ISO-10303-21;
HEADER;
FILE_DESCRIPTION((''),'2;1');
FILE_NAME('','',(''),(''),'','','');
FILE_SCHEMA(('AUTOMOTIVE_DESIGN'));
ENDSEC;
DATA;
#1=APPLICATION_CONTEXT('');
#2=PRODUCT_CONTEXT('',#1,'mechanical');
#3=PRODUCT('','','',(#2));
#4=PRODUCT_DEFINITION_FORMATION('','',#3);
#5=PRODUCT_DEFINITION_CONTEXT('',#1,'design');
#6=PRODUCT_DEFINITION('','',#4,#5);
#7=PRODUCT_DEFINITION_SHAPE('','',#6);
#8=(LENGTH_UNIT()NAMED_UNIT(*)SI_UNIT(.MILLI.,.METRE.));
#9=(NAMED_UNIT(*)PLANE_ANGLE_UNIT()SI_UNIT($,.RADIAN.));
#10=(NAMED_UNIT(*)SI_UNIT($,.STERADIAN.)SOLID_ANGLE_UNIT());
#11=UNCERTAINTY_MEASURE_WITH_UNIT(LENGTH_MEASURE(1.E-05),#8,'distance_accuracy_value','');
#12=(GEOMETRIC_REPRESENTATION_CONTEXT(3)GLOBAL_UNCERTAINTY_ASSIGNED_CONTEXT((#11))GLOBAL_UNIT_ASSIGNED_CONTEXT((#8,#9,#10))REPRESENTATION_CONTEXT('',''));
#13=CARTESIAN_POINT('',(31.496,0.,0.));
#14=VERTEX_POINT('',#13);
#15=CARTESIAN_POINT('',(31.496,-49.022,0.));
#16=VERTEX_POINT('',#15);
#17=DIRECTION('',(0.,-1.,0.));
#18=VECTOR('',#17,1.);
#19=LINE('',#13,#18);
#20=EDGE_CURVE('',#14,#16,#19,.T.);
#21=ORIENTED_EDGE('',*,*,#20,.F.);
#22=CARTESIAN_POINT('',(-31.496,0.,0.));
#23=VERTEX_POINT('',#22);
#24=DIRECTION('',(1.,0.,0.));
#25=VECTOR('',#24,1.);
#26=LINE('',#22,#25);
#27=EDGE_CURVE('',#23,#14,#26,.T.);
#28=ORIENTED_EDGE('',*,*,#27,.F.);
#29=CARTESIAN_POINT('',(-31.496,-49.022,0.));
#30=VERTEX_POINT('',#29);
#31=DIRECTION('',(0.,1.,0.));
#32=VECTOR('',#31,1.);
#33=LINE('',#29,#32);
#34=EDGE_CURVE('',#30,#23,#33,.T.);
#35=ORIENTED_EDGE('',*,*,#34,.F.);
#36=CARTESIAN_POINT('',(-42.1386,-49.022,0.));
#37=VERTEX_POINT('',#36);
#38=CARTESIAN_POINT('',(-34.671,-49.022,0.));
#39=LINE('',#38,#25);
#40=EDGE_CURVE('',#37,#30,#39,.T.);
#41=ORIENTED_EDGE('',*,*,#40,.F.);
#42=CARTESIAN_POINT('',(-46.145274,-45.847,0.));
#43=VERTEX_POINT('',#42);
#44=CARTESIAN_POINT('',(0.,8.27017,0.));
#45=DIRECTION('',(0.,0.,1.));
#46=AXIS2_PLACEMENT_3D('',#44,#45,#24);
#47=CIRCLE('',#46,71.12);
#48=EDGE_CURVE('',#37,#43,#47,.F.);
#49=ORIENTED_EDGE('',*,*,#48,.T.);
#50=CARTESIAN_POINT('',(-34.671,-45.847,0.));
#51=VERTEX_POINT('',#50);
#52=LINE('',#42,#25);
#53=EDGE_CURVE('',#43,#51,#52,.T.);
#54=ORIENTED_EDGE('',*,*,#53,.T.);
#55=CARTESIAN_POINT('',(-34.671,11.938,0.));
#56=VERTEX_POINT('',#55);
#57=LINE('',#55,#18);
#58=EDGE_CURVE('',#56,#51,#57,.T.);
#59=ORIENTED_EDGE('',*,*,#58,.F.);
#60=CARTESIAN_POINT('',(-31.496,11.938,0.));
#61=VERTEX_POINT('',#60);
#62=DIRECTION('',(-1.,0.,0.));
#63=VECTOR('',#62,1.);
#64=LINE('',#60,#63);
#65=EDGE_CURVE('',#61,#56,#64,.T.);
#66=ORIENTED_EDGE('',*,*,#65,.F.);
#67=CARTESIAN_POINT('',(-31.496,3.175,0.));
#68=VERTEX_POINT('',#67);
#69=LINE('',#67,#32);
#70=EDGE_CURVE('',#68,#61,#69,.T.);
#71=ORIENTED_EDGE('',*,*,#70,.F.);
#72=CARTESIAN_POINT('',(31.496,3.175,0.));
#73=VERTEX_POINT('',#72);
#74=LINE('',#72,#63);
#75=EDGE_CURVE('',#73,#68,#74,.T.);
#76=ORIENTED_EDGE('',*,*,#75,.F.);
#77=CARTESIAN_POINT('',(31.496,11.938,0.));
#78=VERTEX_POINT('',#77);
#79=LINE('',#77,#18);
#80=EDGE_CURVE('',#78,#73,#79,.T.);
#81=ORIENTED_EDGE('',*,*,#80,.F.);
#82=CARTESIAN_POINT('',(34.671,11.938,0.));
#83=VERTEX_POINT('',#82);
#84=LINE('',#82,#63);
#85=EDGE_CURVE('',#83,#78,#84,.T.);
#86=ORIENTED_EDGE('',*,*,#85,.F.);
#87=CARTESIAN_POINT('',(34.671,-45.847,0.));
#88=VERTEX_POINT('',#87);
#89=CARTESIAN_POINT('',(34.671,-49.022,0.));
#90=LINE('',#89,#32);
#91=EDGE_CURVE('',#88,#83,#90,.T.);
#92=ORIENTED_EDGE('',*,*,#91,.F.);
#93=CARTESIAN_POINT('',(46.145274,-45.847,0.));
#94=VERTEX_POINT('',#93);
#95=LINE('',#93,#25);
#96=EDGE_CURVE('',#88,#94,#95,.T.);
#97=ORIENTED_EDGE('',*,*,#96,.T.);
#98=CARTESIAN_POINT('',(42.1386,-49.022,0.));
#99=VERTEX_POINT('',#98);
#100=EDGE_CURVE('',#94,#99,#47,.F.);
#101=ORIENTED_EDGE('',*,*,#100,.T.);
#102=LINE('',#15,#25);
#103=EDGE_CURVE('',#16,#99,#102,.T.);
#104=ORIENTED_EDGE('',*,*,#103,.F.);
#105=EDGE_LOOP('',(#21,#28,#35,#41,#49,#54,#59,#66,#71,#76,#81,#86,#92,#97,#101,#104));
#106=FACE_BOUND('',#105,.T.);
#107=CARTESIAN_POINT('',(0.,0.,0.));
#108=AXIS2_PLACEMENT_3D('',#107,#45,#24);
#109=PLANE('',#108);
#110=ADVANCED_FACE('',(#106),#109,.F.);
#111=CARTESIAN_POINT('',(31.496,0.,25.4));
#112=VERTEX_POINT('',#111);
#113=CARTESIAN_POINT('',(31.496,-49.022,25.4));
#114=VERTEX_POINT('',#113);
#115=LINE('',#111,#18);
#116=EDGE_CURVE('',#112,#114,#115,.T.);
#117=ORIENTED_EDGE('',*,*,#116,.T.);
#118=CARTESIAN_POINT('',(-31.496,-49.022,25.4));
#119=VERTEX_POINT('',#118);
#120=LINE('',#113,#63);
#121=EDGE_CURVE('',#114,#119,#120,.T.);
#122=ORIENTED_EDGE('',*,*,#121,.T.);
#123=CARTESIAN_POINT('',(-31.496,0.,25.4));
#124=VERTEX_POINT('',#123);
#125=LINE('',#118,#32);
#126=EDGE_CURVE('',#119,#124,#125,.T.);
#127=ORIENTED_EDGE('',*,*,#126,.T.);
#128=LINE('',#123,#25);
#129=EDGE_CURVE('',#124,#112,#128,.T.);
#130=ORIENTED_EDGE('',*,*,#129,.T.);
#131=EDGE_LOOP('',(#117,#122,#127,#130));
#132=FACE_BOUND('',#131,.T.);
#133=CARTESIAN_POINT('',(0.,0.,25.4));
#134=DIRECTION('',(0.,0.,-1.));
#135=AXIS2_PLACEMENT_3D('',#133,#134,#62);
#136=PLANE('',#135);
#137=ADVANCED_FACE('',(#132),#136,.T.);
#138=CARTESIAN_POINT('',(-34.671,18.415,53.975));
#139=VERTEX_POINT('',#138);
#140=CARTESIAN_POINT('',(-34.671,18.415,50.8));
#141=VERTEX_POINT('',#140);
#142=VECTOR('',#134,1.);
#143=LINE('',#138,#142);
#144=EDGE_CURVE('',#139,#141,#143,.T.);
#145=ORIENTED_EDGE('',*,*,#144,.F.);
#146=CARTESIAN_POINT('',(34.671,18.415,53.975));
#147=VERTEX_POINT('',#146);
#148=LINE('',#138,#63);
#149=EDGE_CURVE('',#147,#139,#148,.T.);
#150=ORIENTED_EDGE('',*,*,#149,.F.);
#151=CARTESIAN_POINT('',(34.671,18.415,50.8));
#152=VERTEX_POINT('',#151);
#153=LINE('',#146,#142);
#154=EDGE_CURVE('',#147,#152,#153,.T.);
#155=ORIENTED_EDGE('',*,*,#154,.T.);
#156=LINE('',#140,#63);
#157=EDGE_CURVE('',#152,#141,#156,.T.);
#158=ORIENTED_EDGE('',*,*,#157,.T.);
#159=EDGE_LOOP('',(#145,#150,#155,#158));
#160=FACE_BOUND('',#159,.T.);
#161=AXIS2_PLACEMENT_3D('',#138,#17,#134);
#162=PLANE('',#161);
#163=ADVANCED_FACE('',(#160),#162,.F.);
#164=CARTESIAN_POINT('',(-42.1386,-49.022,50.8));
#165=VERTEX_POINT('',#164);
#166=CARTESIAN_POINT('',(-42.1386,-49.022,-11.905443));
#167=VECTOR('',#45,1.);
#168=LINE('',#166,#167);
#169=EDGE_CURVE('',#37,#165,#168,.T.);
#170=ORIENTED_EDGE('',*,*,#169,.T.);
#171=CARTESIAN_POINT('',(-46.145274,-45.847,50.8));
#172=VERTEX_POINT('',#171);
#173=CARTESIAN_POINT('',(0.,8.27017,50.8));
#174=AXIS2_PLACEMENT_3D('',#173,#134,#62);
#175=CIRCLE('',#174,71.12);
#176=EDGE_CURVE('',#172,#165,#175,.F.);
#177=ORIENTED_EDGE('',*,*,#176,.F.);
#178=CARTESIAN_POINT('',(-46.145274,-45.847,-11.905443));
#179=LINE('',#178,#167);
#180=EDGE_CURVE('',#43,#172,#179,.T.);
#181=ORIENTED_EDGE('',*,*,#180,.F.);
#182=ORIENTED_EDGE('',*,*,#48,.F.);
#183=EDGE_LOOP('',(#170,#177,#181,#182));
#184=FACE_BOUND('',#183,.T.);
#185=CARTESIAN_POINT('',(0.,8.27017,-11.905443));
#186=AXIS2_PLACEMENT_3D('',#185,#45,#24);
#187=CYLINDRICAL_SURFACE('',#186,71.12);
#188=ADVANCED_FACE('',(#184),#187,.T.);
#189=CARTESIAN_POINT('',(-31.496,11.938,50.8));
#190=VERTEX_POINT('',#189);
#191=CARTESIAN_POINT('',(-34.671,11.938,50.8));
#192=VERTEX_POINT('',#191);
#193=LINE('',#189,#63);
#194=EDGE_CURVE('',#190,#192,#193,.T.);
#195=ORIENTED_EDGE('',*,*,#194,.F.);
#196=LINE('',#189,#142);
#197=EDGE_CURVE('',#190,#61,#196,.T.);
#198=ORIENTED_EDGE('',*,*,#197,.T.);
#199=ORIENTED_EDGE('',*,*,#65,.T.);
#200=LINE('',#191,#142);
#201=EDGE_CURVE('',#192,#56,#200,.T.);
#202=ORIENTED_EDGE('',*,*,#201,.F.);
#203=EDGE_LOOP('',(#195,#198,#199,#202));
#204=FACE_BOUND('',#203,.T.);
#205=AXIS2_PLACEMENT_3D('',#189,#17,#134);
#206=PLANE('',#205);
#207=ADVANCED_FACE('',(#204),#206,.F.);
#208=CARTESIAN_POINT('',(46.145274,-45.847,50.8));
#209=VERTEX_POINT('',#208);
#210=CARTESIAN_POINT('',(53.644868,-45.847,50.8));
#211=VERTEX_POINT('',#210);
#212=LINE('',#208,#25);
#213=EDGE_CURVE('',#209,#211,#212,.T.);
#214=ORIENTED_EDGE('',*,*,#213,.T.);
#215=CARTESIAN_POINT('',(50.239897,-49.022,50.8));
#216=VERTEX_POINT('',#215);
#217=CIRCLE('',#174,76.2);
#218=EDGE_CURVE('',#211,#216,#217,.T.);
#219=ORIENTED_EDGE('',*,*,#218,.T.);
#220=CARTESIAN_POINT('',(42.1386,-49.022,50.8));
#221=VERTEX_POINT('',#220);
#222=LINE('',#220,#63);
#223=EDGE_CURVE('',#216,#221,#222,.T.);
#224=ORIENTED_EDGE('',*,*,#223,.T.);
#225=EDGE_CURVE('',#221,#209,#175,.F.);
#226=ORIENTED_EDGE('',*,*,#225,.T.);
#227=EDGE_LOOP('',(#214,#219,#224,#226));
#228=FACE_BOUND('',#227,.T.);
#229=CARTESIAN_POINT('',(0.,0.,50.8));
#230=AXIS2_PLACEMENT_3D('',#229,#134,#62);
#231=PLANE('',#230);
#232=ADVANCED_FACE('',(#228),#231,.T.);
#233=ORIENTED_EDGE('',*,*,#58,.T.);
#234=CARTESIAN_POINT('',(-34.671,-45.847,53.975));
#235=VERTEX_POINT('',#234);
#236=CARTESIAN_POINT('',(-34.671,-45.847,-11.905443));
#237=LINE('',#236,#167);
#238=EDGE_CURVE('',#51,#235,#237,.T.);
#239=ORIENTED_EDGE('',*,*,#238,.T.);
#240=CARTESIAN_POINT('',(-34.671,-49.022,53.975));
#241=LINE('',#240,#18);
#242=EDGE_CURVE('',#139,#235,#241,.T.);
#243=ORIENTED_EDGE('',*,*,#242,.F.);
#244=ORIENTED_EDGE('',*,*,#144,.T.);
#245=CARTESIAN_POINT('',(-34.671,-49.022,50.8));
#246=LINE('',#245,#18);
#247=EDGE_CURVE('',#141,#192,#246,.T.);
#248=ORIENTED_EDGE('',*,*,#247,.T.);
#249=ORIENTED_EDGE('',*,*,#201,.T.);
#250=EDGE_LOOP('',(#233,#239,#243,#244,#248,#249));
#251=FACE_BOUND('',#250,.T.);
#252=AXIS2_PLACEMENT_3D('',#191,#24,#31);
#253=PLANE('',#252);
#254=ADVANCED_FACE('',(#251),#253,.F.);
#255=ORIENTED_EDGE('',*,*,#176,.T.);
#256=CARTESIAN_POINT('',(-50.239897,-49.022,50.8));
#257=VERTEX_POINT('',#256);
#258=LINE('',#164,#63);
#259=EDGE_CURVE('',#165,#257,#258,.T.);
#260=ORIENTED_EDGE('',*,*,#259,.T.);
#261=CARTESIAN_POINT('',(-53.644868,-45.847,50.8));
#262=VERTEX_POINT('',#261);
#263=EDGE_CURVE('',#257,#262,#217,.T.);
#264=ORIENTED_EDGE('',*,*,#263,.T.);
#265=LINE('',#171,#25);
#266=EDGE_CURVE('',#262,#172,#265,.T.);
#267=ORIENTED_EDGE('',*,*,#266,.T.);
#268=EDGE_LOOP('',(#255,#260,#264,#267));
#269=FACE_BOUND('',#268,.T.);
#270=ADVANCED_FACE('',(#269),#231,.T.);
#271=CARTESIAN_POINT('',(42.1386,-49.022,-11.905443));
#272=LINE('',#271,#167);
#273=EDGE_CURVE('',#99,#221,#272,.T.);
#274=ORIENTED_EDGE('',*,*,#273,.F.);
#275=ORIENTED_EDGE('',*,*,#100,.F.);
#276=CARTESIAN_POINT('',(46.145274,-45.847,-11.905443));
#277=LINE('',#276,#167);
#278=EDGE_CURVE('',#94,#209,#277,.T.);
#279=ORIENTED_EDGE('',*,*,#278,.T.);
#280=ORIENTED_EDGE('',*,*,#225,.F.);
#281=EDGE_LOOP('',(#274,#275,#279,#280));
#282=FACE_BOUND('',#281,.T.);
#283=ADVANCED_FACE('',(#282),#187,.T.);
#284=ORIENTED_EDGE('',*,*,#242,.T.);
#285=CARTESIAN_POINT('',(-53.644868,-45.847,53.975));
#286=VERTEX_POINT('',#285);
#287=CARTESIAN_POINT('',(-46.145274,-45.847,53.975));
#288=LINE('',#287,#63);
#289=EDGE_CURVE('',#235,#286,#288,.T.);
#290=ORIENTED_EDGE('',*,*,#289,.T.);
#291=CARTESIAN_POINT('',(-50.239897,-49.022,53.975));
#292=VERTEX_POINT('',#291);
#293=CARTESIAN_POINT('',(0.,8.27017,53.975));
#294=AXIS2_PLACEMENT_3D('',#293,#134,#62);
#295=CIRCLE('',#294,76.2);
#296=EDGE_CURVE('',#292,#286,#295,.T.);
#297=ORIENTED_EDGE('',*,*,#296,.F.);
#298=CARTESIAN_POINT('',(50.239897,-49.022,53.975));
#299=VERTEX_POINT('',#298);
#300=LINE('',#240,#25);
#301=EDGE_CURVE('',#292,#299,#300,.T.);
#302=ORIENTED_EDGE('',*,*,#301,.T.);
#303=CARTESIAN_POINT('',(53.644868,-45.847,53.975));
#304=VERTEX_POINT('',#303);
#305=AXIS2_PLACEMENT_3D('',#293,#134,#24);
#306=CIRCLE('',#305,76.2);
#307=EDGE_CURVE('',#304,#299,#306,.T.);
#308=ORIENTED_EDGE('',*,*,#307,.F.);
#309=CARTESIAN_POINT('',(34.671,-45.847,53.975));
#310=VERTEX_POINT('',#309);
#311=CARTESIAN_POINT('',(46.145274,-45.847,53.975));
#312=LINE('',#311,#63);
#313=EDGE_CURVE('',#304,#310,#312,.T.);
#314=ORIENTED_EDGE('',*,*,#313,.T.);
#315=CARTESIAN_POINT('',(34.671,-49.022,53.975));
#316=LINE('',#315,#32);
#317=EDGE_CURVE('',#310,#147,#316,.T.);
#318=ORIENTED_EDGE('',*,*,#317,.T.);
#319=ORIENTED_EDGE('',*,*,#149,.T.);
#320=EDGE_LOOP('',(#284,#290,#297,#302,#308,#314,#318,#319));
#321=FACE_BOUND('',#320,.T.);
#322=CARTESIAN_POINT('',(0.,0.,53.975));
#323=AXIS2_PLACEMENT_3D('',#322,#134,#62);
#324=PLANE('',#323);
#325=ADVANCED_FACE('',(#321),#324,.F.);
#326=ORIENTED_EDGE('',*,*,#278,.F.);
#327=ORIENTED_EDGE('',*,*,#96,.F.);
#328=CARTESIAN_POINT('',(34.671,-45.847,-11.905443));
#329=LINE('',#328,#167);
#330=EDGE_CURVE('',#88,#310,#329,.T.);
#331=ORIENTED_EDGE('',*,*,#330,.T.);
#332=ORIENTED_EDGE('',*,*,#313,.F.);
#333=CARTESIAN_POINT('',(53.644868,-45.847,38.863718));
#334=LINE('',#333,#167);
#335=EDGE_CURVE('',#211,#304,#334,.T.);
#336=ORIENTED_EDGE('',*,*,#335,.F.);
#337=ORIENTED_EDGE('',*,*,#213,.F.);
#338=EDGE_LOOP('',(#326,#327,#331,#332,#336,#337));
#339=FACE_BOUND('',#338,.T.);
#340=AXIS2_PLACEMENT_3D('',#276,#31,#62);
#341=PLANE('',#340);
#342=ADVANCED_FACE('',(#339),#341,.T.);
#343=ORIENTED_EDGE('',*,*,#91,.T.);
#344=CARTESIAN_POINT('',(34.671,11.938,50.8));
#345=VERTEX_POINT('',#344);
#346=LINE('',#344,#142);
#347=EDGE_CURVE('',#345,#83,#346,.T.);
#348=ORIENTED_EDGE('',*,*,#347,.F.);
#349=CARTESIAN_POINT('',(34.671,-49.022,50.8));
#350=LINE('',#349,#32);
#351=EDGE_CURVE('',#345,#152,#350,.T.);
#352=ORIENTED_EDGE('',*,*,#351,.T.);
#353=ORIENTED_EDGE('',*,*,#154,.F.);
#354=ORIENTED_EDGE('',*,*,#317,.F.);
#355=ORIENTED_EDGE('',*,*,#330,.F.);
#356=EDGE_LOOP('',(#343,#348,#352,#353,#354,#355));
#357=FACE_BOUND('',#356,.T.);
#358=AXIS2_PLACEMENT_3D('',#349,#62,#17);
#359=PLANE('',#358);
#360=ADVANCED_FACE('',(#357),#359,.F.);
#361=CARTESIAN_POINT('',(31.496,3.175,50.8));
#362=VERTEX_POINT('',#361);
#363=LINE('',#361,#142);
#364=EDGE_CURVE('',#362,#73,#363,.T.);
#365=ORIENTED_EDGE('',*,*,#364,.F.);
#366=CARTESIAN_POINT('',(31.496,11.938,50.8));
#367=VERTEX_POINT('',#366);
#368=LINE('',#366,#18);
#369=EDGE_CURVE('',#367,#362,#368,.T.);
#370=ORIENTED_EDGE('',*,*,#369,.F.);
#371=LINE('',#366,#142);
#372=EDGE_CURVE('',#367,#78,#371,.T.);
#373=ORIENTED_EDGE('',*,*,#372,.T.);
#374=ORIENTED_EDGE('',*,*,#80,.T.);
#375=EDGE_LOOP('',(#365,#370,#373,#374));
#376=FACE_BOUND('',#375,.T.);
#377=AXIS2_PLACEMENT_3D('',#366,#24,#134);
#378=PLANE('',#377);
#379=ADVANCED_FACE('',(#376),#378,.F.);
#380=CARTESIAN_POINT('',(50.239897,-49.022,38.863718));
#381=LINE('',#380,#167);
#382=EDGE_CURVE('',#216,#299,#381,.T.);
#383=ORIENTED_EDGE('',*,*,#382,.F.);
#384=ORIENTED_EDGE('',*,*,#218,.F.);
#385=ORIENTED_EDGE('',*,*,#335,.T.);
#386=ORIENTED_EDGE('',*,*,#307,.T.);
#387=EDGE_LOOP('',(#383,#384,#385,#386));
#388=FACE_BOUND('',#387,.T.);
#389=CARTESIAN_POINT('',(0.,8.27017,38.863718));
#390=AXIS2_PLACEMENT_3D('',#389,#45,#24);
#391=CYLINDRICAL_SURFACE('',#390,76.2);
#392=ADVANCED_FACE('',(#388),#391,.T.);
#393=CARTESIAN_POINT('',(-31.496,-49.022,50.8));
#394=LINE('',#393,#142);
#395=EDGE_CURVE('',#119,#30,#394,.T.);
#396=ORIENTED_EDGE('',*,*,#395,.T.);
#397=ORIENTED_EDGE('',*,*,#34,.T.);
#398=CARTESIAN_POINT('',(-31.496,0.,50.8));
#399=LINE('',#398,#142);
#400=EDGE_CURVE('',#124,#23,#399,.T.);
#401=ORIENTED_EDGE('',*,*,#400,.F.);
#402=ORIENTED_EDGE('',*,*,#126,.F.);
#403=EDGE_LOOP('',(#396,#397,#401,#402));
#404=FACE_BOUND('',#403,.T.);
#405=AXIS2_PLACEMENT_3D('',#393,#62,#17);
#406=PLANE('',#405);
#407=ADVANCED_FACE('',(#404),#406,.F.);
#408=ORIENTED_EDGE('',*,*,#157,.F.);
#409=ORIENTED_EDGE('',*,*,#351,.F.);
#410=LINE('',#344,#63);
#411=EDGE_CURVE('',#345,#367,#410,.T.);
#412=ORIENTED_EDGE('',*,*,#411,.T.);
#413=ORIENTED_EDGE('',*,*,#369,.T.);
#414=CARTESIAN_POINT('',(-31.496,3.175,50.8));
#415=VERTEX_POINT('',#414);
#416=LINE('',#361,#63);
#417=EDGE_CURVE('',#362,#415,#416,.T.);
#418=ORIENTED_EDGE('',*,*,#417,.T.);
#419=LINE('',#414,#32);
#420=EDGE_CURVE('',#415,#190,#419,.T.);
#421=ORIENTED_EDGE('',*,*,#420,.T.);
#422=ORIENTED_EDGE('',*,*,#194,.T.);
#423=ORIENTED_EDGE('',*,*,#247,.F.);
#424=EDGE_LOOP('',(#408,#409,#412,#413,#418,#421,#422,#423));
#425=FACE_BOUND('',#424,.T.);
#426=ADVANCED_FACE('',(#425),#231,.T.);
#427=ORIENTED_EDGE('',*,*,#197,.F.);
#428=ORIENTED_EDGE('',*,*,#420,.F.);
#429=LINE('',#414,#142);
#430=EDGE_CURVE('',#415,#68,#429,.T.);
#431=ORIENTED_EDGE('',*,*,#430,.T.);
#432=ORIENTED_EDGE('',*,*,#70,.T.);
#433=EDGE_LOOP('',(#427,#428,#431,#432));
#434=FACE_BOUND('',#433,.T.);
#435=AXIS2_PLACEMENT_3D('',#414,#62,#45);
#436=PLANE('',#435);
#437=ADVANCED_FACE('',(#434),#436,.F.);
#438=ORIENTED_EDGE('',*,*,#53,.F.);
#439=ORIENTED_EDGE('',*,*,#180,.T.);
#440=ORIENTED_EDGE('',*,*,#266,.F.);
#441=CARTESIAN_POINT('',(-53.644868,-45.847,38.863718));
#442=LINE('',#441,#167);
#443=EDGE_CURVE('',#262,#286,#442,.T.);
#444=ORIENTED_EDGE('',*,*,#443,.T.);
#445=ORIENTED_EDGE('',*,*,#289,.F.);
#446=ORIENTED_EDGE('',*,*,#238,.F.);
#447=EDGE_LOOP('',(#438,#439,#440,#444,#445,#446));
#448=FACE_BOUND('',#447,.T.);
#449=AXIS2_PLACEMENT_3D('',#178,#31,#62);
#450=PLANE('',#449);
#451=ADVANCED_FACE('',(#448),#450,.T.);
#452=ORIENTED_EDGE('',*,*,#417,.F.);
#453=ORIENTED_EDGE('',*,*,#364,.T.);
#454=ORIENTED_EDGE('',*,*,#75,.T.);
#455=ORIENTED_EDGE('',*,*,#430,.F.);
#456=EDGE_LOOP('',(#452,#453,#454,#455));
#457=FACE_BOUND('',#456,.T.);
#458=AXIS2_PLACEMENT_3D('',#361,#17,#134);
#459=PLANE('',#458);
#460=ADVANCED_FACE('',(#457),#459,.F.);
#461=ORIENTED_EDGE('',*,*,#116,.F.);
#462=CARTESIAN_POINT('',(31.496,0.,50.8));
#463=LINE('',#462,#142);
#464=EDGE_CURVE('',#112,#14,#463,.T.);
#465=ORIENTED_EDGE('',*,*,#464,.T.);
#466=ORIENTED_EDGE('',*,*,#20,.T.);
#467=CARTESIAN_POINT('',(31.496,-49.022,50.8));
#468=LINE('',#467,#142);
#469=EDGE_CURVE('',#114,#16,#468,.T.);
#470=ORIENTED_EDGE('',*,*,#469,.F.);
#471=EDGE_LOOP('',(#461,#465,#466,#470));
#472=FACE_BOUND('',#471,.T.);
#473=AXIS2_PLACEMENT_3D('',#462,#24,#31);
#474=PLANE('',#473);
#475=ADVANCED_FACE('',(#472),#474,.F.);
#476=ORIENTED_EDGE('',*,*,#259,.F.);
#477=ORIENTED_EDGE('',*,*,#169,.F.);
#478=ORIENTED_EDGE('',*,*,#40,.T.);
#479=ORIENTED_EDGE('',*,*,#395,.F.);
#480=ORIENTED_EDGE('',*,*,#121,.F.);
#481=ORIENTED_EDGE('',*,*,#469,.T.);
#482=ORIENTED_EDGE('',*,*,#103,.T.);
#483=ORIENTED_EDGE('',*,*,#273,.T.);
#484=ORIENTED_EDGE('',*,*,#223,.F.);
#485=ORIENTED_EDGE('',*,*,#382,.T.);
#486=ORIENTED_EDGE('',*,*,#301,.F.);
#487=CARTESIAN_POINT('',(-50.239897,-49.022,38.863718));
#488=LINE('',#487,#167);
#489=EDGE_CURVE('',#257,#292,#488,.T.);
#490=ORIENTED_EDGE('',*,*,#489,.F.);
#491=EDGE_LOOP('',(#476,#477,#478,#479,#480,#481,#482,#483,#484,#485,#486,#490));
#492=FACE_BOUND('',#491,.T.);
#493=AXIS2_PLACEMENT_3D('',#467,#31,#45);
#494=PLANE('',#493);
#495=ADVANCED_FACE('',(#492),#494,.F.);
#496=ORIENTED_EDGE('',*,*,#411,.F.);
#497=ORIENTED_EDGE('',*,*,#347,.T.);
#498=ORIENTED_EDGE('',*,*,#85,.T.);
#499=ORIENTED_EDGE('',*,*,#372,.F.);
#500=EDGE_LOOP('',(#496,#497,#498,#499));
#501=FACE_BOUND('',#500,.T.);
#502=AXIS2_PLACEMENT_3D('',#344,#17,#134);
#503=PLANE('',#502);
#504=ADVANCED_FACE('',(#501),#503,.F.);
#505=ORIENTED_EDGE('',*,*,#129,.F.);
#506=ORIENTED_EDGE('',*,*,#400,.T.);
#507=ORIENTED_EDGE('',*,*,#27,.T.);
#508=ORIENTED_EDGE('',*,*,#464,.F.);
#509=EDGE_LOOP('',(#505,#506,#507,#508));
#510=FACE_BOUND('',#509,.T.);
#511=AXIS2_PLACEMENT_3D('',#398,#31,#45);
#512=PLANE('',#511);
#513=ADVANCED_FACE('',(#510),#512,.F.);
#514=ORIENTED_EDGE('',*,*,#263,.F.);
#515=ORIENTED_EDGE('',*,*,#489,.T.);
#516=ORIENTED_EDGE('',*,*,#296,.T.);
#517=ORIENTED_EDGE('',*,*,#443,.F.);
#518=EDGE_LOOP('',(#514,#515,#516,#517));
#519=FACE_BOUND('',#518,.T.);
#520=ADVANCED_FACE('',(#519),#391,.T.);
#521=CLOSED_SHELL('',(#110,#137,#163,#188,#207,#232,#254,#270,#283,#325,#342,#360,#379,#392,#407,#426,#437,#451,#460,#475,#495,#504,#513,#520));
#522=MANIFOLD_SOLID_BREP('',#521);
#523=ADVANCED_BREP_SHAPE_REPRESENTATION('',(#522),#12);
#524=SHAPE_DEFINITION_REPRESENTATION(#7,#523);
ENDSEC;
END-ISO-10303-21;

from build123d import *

# Parameters (mm, degrees)
BOSS_EXTRUDE2_DEPTH = 50.8
SKETCH3_W           = 69.342
SKETCH3_H           = 67.437
BOSS_EXTRUDE3_DEPTH = 3.175
BOSS_EXTRUDE4_DEPTH = 53.975
BOSS_EXTRUDE6_DEPTH = 3.175
SKETCH6_W           = 62.992
SKETCH6_H           = 49.022
BOSS_EXTRUDE7_DEPTH = 25.4


with BuildPart() as part:
    # Sketch2 → Boss-Extrude2 (new body)
    with BuildSketch(Plane.XY):
        Polygon((-34.671, -49.022), (-31.496, -49.022), (-31.496, 0), (31.496, 0), (31.496, -49.022), (34.671, -49.022), (34.671, 11.938), (31.496, 11.938), (31.496, 3.175), (-31.496, 3.175), (-31.496, 11.938), (-34.671, 11.938), align=None)
    extrude(amount=BOSS_EXTRUDE2_DEPTH)

    # Sketch3 → Boss-Extrude3 (add)
    with BuildSketch(Plane.XY.offset(50.8)):
        with Locations((0, -15.3035)):
            Rectangle(SKETCH3_W, SKETCH3_H)
    extrude(amount=BOSS_EXTRUDE3_DEPTH)

    # Sketch4 → Boss-Extrude4 (add)
    with BuildSketch(Plane.XY.offset(53.975)):
        with BuildLine():
            Line((-34.671, -49.022), (-42.1386, -49.022))
            ThreePointArc((-42.1386, -49.022), (-44.170473584, -47.470511893), (-46.145273507, -45.847))
            Line((-46.145273507, -45.847), (-34.671, -45.847))
            Line((-34.671, -45.847), (-34.671, -49.022))
        make_face()
        with BuildLine():
            Line((34.671, -45.847), (34.671, -49.022))
            Line((34.671, -49.022), (42.1386, -49.022))
            ThreePointArc((42.1386, -49.022), (44.170473584, -47.470511893), (46.145273507, -45.847))
            Line((46.145273507, -45.847), (34.671, -45.847))
        make_face()
    extrude(amount=-BOSS_EXTRUDE4_DEPTH)

    # Sketch5 → Boss-Extrude6 (add)
    with BuildSketch(Plane(origin=(0, 0, 53.975), x_dir=(-1, 0, 0), z_dir=(0, 0, -1))):
        with BuildLine():
            Line((42.1386, -49.022), (50.239896596, -49.022))
            ThreePointArc((50.239896596, -49.022), (51.966635807, -47.460510217), (53.64486804, -45.847))
            Line((53.64486804, -45.847), (46.145273507, -45.847))
            ThreePointArc((46.145273507, -45.847), (44.170473584, -47.470511893), (42.1386, -49.022))
        make_face()
        with BuildLine():
            Line((-46.145273507, -45.847), (-53.64486804, -45.847))
            ThreePointArc((-53.64486804, -45.847), (-51.966635807, -47.460510217), (-50.239896596, -49.022))
            Line((-50.239896596, -49.022), (-42.1386, -49.022))
            ThreePointArc((-42.1386, -49.022), (-44.170473584, -47.470511893), (-46.145273507, -45.847))
        make_face()
    extrude(amount=BOSS_EXTRUDE6_DEPTH)

    # Sketch6 → Boss-Extrude7 (add)
    with BuildSketch(Plane(origin=(0, 0, 50.8), x_dir=(-1, 0, 0), z_dir=(0, 0, -1))):
        with Locations((0, -24.511)):
            Rectangle(SKETCH6_W, SKETCH6_H)
    extrude(amount=BOSS_EXTRUDE7_DEPTH)


solid = part.part
